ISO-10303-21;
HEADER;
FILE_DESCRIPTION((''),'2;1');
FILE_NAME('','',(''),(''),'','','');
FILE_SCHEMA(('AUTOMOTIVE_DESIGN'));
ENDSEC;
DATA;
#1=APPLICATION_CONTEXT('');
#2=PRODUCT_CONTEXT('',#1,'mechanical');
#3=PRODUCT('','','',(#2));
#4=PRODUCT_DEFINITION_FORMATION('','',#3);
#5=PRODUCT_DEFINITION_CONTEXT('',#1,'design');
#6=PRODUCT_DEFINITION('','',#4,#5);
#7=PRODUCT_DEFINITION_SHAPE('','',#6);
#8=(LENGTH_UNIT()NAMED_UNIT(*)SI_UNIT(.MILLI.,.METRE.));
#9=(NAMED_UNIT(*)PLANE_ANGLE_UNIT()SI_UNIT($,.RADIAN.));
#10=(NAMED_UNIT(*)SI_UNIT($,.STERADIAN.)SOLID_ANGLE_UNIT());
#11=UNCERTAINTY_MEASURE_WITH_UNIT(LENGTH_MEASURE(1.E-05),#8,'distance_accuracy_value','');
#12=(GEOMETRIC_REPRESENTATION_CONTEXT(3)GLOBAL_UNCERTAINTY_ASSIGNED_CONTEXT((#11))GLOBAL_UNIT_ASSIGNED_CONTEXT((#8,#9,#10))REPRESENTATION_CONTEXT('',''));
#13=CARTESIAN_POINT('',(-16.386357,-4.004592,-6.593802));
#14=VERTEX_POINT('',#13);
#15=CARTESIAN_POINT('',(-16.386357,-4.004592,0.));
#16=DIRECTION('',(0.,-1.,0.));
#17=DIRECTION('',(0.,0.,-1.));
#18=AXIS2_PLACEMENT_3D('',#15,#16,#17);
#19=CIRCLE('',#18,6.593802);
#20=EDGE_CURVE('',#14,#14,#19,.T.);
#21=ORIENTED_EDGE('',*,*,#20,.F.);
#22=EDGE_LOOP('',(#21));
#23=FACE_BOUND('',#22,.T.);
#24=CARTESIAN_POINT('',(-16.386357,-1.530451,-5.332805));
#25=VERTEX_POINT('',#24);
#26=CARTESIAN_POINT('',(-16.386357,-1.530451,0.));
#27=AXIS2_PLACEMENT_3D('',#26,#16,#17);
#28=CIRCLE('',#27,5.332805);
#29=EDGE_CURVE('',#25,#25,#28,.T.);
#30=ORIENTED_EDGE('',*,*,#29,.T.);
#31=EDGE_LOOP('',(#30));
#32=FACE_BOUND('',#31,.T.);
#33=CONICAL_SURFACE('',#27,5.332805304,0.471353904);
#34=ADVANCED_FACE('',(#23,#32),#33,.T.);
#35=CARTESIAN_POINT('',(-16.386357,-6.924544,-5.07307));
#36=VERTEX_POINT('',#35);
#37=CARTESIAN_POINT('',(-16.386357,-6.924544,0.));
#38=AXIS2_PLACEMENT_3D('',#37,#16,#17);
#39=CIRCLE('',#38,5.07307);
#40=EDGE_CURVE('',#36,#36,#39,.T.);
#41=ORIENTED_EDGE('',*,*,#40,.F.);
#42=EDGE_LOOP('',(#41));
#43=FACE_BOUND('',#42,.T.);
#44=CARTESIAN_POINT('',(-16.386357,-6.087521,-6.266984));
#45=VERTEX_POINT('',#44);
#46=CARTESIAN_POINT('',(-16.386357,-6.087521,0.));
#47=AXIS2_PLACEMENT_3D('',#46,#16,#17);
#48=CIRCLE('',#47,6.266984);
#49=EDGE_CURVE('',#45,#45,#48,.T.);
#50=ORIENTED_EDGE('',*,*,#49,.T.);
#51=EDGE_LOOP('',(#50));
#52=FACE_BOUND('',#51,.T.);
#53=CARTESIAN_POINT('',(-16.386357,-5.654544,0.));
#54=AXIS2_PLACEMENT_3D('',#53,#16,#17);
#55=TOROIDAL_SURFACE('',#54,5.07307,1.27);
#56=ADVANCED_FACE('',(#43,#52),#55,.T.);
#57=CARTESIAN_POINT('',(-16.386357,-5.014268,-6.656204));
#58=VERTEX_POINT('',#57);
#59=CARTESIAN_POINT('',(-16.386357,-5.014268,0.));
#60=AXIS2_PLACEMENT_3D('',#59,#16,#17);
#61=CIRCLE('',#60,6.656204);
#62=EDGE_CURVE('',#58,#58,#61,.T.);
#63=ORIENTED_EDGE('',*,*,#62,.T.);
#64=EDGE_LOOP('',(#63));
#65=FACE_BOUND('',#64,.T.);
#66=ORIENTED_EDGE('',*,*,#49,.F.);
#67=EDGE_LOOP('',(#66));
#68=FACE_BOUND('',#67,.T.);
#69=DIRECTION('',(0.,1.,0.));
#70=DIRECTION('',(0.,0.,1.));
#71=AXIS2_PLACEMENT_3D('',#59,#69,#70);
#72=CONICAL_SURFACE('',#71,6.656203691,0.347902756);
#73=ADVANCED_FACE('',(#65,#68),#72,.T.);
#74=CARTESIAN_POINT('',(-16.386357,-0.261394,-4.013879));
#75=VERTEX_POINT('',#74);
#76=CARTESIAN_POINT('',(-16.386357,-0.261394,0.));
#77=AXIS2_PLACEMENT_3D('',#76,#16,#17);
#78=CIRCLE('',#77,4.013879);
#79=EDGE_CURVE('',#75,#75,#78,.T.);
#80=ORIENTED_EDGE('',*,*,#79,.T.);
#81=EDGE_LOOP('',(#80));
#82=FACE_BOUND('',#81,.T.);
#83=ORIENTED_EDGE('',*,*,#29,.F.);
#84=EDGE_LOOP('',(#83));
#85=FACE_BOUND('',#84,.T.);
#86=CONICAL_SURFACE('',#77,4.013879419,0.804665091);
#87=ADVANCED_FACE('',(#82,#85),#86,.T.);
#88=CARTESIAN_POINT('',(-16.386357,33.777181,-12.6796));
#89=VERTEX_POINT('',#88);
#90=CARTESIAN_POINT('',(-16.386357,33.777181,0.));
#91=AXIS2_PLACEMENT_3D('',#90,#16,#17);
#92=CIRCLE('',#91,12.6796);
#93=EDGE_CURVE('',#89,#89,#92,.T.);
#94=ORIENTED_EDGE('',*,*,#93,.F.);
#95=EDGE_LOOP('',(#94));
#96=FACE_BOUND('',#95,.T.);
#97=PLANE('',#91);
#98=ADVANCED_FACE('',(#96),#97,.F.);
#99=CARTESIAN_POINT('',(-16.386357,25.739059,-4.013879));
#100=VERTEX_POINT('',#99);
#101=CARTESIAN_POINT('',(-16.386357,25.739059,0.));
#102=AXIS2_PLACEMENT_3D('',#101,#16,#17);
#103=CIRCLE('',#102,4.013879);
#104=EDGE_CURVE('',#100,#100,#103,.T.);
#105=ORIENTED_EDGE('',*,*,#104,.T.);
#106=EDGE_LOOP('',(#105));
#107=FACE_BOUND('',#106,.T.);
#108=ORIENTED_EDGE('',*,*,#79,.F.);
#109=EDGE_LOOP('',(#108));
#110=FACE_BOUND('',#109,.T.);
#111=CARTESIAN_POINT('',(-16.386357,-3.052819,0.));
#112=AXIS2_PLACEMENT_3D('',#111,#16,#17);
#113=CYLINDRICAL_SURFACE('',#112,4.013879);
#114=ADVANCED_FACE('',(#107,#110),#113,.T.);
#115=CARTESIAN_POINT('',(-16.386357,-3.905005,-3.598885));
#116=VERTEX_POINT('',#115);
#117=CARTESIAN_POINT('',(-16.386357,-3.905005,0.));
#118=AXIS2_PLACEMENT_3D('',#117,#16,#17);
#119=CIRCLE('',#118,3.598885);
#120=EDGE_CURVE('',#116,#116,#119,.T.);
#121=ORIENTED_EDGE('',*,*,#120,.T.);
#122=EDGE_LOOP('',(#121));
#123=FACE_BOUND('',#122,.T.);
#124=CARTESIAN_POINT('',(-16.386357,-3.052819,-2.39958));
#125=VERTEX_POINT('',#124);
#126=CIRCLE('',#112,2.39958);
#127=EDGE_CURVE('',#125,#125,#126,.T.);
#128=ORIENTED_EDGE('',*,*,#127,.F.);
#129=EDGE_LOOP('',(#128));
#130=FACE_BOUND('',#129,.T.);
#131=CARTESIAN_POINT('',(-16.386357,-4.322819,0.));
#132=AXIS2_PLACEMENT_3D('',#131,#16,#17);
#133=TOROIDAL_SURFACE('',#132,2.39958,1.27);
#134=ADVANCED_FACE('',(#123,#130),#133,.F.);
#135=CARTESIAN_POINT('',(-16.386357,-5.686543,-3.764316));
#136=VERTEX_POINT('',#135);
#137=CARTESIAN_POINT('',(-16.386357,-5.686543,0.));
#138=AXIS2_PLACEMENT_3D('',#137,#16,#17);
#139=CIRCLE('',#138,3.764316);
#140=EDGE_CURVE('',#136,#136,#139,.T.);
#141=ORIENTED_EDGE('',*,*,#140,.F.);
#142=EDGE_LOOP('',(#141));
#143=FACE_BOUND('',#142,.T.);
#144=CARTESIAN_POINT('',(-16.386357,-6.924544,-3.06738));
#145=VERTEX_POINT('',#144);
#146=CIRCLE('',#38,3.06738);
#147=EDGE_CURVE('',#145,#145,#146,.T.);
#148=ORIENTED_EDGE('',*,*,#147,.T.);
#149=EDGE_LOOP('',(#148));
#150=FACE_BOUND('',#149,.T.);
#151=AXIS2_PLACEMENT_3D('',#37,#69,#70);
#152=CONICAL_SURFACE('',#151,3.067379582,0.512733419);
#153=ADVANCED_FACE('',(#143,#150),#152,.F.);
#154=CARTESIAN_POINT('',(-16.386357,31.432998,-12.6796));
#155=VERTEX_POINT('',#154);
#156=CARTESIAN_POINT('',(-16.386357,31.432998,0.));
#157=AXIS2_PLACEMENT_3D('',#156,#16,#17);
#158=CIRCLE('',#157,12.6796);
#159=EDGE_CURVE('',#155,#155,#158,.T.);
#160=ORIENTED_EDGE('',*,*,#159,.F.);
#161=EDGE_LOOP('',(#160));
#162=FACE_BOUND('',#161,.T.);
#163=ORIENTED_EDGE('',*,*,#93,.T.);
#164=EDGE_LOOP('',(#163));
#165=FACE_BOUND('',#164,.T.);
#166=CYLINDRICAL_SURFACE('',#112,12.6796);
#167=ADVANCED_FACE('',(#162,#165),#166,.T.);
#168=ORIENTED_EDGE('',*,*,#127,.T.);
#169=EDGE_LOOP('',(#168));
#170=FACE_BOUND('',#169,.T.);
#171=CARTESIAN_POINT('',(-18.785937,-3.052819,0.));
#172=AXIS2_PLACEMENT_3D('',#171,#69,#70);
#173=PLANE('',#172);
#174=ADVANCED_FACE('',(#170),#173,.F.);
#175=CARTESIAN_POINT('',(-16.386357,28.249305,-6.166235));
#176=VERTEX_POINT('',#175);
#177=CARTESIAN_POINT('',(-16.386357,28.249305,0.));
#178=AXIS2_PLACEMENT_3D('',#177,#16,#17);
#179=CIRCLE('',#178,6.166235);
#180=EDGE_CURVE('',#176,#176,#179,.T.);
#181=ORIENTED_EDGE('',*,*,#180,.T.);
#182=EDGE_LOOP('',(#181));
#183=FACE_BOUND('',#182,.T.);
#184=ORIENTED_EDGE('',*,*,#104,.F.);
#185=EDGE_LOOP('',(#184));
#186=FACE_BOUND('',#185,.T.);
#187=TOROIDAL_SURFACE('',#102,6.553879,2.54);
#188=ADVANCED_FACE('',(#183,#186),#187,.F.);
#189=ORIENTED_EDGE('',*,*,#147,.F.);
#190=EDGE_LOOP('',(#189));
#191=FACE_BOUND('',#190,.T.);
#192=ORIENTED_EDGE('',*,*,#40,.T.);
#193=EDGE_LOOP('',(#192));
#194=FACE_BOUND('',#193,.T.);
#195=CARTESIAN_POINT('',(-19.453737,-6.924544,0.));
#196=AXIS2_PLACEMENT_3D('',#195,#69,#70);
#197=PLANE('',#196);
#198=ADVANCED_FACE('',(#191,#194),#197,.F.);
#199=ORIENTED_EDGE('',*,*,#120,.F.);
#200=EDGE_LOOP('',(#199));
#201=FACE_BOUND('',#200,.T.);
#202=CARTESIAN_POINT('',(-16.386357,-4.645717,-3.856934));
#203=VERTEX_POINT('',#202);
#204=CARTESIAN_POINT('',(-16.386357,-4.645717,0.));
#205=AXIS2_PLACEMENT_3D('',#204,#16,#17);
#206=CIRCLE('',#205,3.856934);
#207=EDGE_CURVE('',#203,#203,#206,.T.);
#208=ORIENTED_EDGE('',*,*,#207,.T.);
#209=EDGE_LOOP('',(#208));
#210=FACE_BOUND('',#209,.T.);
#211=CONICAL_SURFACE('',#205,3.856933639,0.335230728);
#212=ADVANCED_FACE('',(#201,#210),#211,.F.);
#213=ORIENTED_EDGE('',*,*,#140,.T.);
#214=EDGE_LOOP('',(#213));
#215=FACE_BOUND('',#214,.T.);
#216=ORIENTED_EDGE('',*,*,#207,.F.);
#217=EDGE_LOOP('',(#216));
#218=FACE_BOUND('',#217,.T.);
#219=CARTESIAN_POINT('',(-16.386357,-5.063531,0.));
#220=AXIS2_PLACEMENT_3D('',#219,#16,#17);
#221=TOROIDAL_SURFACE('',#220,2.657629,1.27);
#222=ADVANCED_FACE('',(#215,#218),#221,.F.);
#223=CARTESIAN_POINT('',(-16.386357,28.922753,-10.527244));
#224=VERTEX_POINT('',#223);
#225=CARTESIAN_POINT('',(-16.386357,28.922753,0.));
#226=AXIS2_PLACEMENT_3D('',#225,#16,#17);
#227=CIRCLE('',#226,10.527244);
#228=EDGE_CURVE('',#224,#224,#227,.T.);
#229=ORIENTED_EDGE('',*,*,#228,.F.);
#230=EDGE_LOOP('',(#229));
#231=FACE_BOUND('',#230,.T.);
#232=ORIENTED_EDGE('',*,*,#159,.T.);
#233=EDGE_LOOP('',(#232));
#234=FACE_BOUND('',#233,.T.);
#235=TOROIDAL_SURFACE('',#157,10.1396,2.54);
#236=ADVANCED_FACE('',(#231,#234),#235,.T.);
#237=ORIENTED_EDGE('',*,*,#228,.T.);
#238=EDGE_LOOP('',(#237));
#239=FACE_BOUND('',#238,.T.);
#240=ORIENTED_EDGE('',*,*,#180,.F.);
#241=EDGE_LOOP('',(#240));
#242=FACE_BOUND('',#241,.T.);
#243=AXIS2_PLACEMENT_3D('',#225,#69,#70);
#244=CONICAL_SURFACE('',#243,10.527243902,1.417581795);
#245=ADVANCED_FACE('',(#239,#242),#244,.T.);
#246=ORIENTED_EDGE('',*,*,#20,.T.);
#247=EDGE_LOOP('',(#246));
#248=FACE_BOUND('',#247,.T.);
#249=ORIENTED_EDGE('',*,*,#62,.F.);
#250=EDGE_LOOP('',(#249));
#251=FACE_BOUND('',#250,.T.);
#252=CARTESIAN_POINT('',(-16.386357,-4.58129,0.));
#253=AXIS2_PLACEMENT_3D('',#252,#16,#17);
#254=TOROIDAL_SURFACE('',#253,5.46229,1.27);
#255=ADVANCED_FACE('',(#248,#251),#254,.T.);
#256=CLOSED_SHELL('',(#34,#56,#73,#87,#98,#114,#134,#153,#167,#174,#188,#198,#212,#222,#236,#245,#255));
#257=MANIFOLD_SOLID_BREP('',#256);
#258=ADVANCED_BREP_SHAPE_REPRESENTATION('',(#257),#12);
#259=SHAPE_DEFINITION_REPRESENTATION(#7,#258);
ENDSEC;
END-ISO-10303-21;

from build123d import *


with BuildPart() as part:
    # Sketch1 → Revolve3 (revolve)
    with BuildSketch(Plane.XY, mode=Mode.PRIVATE) as revolve3_sk:
        with BuildLine():
            Line((-20.400236636, 14.424908344), (-20.400236636, -0.261393937))
            Line((-20.400236636, -0.261393937), (-21.719162522, -1.530451169))
            Line((-21.719162522, -1.530451169), (-22.980158849, -4.004592346))
            ThreePointArc((-22.980158849, -4.004592346), (-23.116228268, -4.502948705), (-23.042560909, -5.014267655))
            Line((-23.042560909, -5.014267655), (-22.653341709, -6.087520982))
            ThreePointArc((-22.653341709, -6.087520982), (-22.188474627, -6.694443039), (-21.459427679, -6.924543742))
            Line((-21.459427679, -6.924543742), (-19.4537368, -6.924543742))
            Line((-19.4537368, -6.924543742), (-20.15067284, -5.68654307))
            ThreePointArc((-20.15067284, -5.68654307), (-20.308987647, -5.1760969), (-20.243290857, -4.645717034))
            Line((-20.243290857, -4.645717034), (-19.985241777, -3.90500514))
            ThreePointArc((-19.985241777, -3.90500514), (-19.52155814, -3.287559507), (-18.785937053, -3.05281871))
            Line((-18.785937053, -3.05281871), (-16.386357218, -3.05281871))
            Line((-16.386357218, -3.05281871), (-16.386357218, 33.77718129))
            Line((-16.386357218, 33.77718129), (-29.06595701, 33.77718129))
            Line((-29.06595701, 33.77718129), (-29.06595701, 31.432997969))
            ThreePointArc((-29.06595701, 31.432997969), (-28.454196627, 29.779670421), (-26.91360112, 28.922752554))
            Line((-26.91360112, 28.922752554), (-22.552592527, 28.249304737))
            ThreePointArc((-22.552592527, 28.249304737), (-21.01199702, 27.39238687), (-20.400236636, 25.739059322))
            Line((-20.400236636, 25.739059322), (-20.400236636, 14.424908344))
        make_face()
    revolve(revolve3_sk.sketch.rotate(Axis((-16.386357218, -3.05281871, 0), (0, 1, 0)), 270), axis=Axis((-16.386357218, -3.05281871, 0), (0, 1, 0)))


solid = part.part
